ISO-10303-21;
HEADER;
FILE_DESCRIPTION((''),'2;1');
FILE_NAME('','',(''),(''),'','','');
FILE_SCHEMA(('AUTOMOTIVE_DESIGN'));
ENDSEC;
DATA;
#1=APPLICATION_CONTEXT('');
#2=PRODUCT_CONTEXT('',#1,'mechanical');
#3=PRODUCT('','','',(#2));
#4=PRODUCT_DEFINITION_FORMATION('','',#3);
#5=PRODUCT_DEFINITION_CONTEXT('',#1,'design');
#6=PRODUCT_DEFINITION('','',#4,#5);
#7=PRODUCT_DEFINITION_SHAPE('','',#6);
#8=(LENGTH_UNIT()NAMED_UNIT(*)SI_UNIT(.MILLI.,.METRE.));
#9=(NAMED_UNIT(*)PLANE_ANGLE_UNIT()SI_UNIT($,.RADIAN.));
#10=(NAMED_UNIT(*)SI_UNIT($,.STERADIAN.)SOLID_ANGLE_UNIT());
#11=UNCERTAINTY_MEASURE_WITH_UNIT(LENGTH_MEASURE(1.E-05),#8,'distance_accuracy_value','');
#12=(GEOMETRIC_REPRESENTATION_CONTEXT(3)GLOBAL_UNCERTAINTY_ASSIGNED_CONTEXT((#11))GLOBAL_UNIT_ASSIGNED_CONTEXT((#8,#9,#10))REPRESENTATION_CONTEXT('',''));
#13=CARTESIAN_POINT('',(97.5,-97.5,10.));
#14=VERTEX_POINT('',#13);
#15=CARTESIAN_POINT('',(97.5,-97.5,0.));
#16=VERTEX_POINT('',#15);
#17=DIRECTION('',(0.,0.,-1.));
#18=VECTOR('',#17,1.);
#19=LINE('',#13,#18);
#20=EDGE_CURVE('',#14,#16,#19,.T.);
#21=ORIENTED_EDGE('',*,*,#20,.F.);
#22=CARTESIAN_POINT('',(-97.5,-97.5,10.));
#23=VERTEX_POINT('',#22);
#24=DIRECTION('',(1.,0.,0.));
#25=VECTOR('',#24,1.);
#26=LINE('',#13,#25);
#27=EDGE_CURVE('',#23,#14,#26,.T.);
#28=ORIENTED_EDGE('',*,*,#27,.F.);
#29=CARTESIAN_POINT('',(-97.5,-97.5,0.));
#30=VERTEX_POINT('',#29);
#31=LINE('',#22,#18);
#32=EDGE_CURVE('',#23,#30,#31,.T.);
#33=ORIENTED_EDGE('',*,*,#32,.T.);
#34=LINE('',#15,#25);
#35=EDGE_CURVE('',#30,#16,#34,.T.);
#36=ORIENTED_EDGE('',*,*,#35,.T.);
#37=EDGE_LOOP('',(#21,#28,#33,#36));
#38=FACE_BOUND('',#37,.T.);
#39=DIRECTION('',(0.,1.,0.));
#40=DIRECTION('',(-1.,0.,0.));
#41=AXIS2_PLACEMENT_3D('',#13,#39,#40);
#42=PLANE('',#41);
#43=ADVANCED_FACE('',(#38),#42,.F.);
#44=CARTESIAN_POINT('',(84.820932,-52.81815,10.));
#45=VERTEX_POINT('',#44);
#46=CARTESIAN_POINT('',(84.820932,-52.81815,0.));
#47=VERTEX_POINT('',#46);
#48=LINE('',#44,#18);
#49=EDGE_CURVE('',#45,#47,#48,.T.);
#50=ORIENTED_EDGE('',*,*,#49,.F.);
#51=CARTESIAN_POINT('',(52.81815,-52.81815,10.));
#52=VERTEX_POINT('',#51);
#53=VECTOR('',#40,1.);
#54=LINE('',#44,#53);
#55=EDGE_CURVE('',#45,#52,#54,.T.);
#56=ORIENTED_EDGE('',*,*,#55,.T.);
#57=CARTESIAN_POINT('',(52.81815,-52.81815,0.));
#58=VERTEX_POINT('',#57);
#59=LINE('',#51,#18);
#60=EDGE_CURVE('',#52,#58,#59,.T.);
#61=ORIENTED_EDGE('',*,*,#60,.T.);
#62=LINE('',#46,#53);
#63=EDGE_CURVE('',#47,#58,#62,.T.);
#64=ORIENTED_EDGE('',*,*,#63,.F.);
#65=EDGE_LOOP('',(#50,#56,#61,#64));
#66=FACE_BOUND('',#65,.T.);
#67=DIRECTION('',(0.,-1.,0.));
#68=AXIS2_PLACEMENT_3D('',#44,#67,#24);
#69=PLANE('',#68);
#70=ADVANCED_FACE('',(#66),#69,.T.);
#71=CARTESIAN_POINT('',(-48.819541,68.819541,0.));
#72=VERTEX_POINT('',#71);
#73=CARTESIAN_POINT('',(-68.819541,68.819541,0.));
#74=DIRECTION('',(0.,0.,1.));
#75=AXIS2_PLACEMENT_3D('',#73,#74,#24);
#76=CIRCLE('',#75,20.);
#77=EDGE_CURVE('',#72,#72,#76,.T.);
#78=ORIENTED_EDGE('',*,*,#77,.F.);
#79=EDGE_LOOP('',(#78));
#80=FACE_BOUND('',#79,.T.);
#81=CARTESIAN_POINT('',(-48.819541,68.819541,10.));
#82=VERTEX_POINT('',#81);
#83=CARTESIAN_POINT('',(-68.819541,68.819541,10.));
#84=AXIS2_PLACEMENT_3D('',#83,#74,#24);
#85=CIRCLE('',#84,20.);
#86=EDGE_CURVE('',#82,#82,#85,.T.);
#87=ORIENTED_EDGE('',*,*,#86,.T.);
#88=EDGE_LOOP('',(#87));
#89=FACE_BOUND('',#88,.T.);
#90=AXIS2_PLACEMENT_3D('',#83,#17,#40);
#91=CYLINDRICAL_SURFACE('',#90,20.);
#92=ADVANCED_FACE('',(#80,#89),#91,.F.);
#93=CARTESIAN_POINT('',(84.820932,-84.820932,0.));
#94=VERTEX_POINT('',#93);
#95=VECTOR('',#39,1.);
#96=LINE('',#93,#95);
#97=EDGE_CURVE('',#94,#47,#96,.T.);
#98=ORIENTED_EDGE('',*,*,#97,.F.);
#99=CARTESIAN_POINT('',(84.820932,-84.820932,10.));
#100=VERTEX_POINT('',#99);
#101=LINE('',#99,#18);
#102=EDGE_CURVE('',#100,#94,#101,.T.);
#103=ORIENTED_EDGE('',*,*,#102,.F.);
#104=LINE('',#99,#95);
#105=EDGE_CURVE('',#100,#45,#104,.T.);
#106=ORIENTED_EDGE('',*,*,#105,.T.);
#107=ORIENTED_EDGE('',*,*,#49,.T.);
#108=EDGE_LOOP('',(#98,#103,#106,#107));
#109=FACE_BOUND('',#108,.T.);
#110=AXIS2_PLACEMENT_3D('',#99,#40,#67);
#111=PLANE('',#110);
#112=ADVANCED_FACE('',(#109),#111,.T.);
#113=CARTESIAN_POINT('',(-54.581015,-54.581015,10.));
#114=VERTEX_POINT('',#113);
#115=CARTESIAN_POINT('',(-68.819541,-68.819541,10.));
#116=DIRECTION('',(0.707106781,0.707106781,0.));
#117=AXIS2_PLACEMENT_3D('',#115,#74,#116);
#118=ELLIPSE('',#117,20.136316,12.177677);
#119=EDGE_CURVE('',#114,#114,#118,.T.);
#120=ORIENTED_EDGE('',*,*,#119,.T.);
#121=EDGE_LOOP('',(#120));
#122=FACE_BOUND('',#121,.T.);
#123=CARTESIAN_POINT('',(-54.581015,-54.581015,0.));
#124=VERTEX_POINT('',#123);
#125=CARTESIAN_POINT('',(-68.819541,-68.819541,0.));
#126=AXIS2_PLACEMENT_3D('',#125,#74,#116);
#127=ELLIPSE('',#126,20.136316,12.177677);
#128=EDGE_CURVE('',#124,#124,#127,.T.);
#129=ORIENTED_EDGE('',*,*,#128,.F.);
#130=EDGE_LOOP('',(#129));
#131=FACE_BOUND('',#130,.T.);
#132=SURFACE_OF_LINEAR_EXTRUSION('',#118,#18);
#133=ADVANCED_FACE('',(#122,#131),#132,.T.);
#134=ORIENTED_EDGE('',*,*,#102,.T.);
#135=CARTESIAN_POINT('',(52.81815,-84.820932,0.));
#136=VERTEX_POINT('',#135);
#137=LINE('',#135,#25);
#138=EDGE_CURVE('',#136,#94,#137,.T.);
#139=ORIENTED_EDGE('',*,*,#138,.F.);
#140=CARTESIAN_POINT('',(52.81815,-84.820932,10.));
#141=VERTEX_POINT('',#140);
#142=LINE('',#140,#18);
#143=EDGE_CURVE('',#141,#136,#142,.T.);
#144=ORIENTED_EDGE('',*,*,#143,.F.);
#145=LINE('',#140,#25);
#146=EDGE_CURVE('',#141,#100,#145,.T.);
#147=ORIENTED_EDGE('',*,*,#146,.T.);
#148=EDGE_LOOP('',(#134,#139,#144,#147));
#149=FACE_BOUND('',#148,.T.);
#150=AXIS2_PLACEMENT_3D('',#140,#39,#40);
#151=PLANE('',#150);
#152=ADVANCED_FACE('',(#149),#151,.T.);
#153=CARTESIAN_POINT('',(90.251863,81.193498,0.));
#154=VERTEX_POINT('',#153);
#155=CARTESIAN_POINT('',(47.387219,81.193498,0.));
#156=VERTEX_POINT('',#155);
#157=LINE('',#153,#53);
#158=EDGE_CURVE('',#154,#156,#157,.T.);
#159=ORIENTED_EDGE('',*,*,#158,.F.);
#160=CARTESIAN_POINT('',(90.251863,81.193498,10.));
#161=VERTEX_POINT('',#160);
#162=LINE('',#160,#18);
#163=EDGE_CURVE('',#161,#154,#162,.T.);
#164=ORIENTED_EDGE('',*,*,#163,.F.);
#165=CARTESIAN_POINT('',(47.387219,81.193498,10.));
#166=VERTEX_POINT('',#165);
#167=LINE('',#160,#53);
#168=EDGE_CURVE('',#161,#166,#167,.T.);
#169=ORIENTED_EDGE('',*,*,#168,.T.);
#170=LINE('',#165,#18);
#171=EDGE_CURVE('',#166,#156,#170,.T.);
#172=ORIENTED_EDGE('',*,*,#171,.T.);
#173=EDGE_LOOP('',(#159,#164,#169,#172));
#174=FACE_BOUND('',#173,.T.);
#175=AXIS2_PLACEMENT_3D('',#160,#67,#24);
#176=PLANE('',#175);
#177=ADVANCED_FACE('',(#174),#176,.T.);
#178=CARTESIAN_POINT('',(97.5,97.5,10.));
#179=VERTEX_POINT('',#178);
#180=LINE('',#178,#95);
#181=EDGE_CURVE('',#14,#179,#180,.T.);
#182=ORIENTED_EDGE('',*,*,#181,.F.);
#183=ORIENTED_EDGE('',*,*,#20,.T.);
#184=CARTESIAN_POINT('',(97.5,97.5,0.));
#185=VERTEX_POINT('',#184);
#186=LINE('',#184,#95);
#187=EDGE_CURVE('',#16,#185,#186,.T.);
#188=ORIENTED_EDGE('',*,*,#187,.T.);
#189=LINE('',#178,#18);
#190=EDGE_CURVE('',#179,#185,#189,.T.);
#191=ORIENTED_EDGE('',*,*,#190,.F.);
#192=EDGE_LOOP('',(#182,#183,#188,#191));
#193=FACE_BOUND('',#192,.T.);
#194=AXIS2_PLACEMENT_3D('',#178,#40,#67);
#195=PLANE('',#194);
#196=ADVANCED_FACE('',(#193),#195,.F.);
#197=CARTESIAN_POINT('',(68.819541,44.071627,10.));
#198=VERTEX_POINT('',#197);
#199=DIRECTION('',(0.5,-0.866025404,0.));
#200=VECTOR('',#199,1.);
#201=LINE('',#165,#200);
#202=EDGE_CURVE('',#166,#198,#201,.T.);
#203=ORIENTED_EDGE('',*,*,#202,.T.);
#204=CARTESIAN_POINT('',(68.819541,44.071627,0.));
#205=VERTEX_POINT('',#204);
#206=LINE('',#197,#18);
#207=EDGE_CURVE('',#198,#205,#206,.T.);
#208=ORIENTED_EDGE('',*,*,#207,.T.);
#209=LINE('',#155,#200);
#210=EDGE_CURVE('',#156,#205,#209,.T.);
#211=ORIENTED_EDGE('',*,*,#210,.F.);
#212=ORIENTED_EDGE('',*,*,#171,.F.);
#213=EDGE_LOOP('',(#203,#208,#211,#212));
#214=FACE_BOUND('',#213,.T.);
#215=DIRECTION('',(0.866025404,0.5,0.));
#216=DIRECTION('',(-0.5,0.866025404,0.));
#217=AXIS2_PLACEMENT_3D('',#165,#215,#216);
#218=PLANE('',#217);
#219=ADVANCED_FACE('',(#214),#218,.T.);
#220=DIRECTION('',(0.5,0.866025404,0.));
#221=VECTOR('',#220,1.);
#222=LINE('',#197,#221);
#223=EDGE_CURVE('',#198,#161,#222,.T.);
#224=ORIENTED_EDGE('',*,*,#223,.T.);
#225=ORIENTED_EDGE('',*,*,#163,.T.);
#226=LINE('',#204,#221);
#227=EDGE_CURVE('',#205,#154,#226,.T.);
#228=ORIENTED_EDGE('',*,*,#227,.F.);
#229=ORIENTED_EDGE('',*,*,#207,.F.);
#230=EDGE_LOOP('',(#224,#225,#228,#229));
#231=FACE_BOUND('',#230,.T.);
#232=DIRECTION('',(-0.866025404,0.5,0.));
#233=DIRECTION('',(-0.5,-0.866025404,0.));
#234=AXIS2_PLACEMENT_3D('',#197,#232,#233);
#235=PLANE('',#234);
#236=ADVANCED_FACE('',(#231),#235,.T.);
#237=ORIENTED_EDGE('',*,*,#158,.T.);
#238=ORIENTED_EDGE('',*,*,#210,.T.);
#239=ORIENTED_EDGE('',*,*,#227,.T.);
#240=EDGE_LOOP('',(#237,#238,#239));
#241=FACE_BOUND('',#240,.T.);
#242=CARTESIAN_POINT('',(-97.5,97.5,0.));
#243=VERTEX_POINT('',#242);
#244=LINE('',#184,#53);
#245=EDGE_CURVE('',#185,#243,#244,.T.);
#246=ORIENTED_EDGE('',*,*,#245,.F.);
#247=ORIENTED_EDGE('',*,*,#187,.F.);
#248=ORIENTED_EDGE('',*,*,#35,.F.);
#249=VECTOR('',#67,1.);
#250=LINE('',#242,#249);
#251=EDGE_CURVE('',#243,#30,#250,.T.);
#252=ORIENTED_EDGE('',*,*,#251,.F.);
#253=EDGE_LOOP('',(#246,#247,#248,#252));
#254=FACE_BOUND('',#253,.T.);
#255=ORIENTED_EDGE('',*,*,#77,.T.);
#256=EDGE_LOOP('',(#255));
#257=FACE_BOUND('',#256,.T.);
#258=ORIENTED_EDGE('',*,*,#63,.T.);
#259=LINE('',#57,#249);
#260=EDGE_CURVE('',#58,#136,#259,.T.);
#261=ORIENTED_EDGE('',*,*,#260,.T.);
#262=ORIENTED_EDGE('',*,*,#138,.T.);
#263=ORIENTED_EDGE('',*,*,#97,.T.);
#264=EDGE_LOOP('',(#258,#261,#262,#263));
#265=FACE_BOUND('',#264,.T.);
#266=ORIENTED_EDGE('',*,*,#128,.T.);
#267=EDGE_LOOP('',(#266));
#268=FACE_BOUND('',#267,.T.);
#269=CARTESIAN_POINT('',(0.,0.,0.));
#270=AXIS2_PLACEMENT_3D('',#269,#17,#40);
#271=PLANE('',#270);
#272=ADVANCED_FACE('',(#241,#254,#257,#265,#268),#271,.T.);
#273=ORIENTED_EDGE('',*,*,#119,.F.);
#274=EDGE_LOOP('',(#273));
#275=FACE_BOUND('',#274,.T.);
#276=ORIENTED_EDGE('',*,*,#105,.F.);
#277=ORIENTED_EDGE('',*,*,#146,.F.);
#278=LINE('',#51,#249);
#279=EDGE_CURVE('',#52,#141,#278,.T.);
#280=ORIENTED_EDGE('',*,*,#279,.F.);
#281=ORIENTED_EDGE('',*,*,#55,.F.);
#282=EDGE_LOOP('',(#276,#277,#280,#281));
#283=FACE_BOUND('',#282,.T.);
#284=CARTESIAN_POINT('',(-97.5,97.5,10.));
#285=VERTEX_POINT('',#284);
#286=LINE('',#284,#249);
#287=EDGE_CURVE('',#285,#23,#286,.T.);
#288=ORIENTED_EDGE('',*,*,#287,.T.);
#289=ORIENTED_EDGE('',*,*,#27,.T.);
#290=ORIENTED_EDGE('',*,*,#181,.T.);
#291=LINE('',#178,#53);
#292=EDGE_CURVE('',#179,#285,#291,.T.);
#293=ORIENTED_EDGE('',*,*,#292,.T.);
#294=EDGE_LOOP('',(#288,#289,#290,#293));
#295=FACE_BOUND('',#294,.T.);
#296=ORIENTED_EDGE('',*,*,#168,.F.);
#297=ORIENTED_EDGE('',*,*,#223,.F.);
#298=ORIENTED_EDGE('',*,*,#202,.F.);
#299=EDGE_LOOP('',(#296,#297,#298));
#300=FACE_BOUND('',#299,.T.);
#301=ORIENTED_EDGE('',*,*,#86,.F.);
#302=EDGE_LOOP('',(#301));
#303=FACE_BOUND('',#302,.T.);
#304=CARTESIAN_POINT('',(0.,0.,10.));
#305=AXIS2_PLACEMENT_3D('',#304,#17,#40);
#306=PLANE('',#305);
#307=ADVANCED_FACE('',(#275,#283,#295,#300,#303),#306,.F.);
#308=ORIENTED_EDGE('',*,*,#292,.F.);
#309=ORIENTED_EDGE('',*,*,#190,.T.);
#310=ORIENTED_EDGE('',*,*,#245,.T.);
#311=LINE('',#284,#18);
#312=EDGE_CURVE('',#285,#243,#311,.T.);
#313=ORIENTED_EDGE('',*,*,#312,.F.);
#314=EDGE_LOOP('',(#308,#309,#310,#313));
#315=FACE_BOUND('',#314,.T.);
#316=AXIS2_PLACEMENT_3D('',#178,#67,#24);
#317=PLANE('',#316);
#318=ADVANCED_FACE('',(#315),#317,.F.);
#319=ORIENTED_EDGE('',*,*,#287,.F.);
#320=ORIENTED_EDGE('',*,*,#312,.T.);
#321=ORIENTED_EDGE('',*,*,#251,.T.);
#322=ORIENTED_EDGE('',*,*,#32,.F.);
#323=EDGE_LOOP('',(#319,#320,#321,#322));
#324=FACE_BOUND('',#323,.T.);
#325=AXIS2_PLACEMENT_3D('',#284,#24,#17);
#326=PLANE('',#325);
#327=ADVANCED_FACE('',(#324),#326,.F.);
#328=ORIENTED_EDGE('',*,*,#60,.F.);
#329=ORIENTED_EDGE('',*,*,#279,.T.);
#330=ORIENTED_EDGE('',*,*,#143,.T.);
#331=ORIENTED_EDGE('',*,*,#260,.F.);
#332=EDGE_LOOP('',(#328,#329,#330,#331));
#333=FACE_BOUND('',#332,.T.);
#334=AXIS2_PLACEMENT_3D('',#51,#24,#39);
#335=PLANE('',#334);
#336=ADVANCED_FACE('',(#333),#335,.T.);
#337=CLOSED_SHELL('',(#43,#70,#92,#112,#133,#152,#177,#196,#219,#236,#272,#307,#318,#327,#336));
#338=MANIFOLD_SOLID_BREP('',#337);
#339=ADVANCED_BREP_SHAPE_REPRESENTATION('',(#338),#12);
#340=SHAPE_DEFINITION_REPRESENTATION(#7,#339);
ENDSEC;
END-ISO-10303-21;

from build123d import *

# Parameters (mm, degrees)
SKETCH1_W           = 195
SKETCH1_H           = 195
SKETCH1_R           = 20
SKETCH1_RX          = 20.136316196
SKETCH1_RY          = 12.177676937
SKETCH1_W_2         = 32.002781641
SKETCH1_H_2         = 32.002781641
BOSS_EXTRUDE1_DEPTH = 10


with BuildPart() as part:
    # Sketch1 → Boss-Extrude1 (new body)
    with BuildSketch(Plane.XY):
        Rectangle(SKETCH1_W, SKETCH1_H)
        with Locations((-68.819541029, 68.819541029)):
            Circle(SKETCH1_R, mode=Mode.SUBTRACT)
        with Locations(Location((-68.819541029, -68.819541029), (0, 0, 45))):
            Ellipse(SKETCH1_RX, SKETCH1_RY, mode=Mode.SUBTRACT)
        Polygon((68.819541029, 44.07162726), (90.251863044, 81.193497914), (47.387219014, 81.193497914), align=None, mode=Mode.SUBTRACT)
        with Locations((68.81954103, -68.81954103)):
            Rectangle(SKETCH1_W_2, SKETCH1_H_2, mode=Mode.SUBTRACT)
    extrude(amount=BOSS_EXTRUDE1_DEPTH)


solid = part.part
